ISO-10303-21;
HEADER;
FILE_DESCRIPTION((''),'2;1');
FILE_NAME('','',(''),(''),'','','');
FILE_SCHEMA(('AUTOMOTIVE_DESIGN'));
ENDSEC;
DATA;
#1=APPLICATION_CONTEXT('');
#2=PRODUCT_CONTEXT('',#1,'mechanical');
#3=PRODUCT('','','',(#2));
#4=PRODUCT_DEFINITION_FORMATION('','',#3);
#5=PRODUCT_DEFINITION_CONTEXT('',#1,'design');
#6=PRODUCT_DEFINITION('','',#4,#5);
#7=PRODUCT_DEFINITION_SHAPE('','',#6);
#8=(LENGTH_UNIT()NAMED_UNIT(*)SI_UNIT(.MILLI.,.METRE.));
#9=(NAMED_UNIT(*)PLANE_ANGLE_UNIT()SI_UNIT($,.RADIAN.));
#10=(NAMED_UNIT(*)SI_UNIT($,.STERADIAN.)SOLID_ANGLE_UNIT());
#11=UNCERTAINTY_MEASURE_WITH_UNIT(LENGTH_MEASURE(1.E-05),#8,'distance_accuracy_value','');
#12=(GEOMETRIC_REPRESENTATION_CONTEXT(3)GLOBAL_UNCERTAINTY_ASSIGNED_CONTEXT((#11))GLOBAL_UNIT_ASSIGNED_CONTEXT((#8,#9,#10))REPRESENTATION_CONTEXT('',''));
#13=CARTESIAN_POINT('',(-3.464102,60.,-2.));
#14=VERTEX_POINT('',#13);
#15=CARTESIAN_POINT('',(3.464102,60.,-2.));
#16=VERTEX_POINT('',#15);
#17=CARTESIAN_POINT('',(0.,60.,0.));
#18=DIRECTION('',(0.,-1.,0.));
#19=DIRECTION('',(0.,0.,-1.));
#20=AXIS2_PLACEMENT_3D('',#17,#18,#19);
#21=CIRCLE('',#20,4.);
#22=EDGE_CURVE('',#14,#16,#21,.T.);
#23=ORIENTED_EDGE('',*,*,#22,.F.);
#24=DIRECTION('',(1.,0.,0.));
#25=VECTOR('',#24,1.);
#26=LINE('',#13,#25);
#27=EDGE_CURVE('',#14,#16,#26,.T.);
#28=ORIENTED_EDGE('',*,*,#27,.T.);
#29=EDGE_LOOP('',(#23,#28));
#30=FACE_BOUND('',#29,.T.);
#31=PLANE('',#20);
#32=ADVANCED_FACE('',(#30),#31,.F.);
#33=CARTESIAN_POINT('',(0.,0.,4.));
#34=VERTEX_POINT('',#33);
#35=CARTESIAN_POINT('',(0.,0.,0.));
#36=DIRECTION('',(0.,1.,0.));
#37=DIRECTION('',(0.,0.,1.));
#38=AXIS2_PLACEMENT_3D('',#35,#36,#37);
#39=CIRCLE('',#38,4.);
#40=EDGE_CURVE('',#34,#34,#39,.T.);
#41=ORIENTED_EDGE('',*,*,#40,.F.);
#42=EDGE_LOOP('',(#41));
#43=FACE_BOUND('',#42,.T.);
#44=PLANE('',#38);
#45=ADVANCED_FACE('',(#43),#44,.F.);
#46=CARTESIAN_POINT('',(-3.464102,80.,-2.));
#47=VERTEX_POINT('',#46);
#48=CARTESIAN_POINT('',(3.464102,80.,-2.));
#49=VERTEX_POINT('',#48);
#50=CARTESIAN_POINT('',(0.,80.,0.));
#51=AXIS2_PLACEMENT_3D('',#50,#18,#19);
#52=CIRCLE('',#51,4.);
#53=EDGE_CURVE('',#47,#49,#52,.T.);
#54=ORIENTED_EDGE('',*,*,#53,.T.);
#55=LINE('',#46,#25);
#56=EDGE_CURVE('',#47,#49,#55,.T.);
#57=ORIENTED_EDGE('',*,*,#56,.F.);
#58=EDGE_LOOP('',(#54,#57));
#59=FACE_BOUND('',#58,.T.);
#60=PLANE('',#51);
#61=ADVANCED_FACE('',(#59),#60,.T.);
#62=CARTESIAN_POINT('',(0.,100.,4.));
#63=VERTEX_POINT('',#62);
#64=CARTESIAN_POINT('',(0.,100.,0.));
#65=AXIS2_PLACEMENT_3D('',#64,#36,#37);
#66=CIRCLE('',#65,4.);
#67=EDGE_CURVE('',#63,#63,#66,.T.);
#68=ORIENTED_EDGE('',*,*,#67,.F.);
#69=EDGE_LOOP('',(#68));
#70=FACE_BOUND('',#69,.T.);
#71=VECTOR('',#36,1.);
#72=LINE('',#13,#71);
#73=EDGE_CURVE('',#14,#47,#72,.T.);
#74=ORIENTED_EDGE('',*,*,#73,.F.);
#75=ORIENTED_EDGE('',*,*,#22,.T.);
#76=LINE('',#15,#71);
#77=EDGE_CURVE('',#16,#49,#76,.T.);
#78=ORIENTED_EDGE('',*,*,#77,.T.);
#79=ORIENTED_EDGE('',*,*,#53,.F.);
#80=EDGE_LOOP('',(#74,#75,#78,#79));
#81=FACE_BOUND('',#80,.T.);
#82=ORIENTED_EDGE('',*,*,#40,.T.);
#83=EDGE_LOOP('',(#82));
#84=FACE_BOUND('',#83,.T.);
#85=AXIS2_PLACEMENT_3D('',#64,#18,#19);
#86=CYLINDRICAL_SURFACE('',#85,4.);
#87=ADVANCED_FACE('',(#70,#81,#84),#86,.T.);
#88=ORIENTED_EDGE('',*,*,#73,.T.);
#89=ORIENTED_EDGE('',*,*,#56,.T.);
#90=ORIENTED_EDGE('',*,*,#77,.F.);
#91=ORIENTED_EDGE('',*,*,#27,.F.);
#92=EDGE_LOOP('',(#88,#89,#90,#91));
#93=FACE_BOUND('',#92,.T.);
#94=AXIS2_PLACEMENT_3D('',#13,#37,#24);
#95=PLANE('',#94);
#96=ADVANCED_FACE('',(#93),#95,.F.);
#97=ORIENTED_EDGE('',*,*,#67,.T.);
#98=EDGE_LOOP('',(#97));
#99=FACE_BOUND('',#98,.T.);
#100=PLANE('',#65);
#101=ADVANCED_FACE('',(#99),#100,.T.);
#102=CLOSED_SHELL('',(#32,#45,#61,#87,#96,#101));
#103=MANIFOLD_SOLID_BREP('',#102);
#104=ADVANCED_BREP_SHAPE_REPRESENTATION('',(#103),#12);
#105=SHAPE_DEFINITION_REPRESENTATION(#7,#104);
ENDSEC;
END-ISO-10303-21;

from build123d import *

# Parameters (mm, degrees)
ESQUISSE1_R             = 4
BOSS_EXTRU_1_DEPTH      = 100
ESQUISSE2_W             = 6.92820323
ESQUISSE2_H             = 8
ENL_V_MAT_EXTRU_1_DEPTH = 20


with BuildPart() as part:
    # Esquisse1 → Boss.-Extru.1 (new body)
    with BuildSketch(Plane(origin=(0, 0, 0), x_dir=(1, 0, 0), z_dir=(0, 1, 0))):
        with Locations(Location((0, 0, 0), (0, 0, 270))):
            Circle(ESQUISSE1_R)
    extrude(amount=BOSS_EXTRU_1_DEPTH)

    # Esquisse2 → Enlèv. mat.-Extru.1 (cut)
    with BuildSketch(Plane(origin=(0, 80, 0), x_dir=(1, 0, 0), z_dir=(0, 1, 0))):
        with Locations((0, 6)):
            Rectangle(ESQUISSE2_W, ESQUISSE2_H)
    extrude(amount=-ENL_V_MAT_EXTRU_1_DEPTH, mode=Mode.SUBTRACT)


solid = part.part
